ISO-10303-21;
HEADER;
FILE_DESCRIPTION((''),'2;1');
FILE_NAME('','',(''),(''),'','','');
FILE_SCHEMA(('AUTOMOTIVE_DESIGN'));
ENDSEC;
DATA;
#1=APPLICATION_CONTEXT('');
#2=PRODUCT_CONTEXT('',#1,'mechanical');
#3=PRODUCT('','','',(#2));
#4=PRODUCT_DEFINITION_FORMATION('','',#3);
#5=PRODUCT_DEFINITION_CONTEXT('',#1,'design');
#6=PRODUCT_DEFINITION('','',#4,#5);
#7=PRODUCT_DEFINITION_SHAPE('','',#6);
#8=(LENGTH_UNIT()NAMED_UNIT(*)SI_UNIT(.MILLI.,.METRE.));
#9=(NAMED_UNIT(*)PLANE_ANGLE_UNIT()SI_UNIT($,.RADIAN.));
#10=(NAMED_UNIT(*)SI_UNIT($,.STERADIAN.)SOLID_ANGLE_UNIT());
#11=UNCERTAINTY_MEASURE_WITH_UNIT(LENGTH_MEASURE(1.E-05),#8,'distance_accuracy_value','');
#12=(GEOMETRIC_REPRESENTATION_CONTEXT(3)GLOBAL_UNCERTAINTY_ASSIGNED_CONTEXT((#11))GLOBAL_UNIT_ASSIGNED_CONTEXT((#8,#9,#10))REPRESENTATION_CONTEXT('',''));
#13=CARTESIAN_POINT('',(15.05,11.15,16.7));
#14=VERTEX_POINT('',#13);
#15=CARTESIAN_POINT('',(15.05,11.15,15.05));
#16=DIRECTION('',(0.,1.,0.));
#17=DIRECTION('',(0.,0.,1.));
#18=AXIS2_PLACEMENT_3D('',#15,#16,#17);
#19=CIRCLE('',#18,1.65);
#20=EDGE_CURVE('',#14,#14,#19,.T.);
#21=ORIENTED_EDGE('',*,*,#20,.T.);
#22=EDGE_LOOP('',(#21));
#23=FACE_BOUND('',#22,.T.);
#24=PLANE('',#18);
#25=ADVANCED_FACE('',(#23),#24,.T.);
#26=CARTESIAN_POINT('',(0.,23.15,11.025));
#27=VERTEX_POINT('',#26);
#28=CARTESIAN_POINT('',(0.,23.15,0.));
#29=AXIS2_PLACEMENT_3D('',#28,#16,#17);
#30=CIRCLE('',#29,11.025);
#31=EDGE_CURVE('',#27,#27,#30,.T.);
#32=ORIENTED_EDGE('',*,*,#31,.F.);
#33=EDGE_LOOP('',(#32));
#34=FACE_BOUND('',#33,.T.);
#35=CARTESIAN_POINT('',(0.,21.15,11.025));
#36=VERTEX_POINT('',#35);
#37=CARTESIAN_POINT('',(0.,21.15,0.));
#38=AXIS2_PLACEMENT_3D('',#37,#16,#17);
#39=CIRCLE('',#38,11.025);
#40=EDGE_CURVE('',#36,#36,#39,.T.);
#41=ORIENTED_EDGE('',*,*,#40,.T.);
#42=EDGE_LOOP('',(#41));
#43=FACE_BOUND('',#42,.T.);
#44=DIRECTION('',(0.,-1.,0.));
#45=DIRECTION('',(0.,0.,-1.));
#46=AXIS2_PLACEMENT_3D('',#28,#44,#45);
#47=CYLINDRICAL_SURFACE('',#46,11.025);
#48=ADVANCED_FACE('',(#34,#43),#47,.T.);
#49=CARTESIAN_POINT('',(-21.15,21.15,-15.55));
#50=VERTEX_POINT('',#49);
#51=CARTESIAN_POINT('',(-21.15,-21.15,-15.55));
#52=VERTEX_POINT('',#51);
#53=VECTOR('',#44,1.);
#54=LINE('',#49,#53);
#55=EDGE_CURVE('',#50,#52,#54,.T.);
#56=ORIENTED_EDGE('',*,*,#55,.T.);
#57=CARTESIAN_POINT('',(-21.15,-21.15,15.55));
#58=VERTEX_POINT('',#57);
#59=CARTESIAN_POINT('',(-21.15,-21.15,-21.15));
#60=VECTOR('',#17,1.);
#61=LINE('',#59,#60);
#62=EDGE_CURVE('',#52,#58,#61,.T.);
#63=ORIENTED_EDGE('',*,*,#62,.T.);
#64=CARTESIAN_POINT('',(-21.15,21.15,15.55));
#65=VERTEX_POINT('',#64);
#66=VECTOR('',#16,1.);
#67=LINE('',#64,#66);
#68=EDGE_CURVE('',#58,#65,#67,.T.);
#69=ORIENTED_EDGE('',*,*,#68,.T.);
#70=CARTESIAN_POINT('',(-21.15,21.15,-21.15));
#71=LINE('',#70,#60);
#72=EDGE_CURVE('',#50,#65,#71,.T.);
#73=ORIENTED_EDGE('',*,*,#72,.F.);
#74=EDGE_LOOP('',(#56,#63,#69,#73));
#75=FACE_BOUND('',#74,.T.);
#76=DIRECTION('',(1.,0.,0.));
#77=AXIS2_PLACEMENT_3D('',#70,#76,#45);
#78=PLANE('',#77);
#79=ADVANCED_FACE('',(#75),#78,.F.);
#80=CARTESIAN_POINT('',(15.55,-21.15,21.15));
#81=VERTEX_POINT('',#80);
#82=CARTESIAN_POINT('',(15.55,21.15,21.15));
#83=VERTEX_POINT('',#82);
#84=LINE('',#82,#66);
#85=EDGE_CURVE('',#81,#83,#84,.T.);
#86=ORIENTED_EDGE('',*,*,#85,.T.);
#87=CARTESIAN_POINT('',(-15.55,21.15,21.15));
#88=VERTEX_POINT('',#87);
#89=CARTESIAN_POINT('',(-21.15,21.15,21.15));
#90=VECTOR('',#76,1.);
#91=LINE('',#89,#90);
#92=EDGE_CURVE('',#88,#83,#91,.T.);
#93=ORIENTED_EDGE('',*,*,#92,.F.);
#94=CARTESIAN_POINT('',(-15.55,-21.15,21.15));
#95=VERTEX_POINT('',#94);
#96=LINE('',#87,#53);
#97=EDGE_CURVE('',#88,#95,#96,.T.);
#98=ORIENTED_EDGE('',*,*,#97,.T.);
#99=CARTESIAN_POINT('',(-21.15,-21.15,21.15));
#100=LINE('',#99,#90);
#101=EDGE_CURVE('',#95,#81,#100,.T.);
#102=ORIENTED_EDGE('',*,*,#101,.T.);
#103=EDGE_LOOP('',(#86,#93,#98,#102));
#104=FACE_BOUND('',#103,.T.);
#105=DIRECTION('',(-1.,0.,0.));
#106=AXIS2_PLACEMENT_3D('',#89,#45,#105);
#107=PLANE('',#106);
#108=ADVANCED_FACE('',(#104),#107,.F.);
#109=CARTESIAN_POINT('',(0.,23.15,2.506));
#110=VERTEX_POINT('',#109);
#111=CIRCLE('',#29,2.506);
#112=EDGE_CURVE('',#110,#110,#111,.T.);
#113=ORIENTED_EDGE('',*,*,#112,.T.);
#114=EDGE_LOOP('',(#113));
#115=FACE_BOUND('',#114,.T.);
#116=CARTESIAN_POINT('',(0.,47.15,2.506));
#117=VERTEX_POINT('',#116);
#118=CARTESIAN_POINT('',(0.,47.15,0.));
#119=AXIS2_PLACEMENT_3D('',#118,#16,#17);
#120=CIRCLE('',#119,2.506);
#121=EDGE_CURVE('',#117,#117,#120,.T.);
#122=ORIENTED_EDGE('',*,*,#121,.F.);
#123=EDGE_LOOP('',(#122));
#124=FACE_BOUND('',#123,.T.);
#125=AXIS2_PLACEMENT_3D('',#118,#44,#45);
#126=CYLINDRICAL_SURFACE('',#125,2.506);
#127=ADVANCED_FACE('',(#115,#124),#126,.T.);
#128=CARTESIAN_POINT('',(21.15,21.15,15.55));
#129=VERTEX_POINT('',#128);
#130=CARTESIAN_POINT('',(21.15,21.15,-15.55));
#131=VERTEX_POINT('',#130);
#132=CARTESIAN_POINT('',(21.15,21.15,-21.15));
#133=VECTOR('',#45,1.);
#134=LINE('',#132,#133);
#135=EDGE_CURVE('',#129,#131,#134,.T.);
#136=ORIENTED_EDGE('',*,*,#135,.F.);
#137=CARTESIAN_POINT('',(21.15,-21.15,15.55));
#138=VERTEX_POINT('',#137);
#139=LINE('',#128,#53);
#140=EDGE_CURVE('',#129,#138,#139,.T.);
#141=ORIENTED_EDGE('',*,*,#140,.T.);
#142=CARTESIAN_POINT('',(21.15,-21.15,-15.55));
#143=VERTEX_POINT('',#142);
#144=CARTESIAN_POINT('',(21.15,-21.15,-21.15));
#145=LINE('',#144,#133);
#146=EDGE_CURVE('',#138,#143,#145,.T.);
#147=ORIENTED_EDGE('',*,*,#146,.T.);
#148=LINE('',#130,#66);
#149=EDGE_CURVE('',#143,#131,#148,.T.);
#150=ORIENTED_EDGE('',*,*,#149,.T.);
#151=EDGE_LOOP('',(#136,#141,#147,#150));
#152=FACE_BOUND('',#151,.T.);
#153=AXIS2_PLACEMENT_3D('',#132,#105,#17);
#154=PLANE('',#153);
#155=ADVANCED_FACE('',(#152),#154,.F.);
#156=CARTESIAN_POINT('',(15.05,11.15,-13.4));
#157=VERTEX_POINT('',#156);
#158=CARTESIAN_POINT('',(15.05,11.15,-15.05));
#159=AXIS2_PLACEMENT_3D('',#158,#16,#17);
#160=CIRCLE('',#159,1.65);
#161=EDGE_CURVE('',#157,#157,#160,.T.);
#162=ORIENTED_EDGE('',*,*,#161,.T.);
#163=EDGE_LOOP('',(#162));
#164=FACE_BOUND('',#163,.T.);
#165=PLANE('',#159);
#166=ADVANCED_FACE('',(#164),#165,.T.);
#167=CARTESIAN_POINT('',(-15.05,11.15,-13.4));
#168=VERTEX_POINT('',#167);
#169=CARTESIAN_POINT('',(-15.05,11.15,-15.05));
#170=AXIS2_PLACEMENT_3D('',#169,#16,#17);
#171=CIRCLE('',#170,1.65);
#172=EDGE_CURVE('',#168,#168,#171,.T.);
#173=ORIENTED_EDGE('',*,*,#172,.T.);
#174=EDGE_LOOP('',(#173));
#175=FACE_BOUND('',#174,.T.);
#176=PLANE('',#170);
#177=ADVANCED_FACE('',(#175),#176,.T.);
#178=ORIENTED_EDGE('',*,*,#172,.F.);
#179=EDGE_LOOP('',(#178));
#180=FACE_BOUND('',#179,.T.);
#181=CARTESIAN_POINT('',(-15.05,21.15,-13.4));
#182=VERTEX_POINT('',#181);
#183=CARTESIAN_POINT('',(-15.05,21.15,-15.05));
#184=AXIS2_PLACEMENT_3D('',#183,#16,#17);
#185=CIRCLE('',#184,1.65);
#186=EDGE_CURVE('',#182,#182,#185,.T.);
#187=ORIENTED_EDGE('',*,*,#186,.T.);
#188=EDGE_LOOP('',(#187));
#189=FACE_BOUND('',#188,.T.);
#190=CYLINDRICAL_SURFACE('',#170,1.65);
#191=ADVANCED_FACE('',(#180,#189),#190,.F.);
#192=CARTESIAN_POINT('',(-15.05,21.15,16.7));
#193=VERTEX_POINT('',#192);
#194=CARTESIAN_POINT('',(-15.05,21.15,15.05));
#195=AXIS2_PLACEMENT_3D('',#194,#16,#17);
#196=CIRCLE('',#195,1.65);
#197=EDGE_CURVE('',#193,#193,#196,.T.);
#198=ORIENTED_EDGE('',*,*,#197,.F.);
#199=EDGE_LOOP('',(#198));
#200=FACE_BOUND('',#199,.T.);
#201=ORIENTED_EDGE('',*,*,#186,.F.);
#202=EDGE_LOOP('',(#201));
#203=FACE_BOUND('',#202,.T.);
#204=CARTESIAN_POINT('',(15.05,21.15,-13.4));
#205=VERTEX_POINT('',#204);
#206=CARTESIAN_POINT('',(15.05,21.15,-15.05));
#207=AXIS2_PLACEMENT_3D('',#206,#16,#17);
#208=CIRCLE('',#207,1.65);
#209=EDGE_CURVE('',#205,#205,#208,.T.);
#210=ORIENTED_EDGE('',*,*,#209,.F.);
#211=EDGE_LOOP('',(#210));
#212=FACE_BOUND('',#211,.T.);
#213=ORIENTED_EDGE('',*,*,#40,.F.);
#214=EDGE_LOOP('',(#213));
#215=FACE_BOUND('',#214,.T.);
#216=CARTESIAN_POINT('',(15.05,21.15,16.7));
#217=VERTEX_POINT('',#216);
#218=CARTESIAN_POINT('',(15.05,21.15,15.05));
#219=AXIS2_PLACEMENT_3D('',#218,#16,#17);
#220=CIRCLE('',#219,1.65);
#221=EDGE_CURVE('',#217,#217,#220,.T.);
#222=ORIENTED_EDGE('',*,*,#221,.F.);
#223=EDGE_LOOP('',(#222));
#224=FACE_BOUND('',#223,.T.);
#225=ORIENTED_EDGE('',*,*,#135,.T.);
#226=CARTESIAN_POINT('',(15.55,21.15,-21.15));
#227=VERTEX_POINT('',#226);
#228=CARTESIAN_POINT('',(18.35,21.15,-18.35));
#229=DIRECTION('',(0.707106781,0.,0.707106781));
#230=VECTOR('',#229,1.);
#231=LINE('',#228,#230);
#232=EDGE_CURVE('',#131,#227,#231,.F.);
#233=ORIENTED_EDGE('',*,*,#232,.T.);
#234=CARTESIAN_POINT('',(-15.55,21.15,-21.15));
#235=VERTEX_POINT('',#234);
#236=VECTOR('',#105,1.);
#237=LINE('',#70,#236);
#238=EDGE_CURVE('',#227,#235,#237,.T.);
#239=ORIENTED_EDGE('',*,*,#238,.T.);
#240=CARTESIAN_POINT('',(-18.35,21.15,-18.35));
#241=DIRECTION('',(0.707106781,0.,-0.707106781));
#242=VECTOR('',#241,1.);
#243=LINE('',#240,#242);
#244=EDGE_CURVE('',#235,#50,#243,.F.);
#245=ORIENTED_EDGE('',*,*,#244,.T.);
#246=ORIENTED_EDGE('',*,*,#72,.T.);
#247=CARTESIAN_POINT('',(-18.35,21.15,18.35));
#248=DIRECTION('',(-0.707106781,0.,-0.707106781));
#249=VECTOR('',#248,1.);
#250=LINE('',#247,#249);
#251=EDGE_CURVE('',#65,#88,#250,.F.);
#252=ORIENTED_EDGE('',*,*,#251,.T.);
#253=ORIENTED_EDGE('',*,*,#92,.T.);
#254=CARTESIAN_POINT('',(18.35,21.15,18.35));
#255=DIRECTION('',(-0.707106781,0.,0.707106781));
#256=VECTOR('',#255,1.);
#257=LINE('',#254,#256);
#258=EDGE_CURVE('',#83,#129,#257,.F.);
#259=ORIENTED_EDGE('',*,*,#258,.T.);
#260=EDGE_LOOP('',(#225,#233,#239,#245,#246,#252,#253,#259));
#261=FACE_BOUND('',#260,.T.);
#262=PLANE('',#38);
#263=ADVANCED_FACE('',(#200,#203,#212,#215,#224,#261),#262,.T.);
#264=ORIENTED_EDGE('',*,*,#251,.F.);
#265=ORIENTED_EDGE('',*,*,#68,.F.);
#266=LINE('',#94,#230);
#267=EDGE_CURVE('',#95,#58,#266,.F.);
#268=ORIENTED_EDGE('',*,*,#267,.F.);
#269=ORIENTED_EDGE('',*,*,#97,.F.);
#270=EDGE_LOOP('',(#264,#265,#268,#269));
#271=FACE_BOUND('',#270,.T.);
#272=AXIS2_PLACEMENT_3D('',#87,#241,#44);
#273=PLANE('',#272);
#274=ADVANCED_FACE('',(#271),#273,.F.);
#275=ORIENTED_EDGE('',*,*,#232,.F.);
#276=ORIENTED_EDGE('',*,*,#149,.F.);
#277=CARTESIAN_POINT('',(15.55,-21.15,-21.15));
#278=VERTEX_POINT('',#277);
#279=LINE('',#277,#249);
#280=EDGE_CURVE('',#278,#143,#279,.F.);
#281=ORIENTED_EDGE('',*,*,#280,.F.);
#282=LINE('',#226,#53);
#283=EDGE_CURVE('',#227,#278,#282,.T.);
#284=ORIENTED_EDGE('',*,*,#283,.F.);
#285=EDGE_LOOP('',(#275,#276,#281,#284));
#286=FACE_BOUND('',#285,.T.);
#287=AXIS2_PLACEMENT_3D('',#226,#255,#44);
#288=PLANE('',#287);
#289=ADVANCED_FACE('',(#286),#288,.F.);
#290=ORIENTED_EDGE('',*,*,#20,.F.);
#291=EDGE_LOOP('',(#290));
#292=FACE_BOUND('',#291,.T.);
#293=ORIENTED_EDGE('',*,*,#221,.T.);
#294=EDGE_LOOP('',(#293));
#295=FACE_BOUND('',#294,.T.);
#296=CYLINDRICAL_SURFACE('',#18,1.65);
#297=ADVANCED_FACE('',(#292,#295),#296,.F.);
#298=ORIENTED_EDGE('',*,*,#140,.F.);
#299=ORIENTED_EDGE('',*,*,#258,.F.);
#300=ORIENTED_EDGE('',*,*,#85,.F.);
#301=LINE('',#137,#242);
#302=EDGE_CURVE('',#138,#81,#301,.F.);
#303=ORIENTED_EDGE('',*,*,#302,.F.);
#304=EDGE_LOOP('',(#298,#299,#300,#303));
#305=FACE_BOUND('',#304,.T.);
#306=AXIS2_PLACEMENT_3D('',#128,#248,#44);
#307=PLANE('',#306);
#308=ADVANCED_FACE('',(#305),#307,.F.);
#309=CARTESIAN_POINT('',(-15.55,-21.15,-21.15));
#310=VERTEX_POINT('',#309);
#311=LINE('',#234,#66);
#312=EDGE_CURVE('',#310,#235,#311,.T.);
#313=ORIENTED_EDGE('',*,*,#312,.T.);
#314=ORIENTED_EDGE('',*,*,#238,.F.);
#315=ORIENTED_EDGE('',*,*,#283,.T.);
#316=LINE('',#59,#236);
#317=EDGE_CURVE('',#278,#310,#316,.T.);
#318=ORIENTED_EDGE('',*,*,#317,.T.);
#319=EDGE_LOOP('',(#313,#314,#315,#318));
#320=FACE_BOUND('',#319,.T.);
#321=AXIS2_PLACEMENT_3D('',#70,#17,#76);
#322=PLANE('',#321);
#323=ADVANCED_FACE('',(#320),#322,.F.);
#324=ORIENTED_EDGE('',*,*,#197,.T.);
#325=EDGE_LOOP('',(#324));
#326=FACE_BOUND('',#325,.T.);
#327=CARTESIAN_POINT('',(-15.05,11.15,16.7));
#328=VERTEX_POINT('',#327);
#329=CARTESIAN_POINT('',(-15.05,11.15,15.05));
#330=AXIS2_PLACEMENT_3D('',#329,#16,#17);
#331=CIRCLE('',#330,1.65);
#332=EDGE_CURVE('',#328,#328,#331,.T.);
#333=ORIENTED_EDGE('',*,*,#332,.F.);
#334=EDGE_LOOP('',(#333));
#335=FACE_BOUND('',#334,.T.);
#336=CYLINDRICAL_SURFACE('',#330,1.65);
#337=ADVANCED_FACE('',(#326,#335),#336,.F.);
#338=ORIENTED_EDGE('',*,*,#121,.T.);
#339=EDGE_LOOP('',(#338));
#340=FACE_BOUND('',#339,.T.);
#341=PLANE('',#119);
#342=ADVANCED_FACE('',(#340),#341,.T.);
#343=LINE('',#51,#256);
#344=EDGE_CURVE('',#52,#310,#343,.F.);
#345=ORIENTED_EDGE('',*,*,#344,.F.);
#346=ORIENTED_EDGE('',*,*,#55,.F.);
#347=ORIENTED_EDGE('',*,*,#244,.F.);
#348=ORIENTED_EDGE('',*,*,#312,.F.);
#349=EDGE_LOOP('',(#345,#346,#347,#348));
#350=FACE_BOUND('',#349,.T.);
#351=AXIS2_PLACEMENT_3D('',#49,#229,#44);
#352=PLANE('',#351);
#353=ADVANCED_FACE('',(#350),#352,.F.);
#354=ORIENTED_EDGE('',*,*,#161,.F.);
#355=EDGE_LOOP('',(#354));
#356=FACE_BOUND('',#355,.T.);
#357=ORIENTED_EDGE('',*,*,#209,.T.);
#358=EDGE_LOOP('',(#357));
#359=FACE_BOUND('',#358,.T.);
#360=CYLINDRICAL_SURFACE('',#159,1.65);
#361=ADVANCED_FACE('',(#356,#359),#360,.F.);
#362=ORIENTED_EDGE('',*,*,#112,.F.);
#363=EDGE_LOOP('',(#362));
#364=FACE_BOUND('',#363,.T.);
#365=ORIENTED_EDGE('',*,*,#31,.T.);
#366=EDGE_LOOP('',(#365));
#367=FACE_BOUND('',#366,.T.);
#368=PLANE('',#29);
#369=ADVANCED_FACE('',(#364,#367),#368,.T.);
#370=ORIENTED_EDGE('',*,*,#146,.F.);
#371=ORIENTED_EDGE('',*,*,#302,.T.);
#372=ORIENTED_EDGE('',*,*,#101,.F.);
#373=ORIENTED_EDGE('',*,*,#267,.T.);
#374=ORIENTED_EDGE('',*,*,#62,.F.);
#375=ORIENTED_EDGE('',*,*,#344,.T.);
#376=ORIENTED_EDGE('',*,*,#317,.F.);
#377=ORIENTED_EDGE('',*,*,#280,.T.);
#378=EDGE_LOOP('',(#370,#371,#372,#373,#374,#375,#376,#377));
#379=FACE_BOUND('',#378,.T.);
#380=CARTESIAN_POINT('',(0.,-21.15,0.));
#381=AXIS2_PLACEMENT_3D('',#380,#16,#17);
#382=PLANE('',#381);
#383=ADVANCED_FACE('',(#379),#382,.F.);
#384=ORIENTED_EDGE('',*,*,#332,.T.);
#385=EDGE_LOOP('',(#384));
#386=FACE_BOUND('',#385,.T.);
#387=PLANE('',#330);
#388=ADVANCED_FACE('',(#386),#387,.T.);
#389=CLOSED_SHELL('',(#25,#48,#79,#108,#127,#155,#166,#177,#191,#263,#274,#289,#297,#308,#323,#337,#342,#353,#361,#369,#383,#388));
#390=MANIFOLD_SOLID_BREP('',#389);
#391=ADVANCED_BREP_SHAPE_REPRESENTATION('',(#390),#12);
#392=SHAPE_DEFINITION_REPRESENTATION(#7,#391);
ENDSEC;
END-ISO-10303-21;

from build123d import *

# Parameters (mm, degrees)
ESBO_O1_W                = 42.3
ESBO_O1_H                = 42.3
RESSALTO_EXTRUS_O1_DEPTH = 21.15
ESBO_O2_R                = 11.025
RESSALTO_EXTRUS_O2_DEPTH = 2
ESBO_O3_R                = 2.506
RESSALTO_EXTRUS_O3_DEPTH = 24
CHANFRO1_SIZE            = 5.6
ESBO_O4_R                = 1.65
CORTE_EXTRUS_O1_DEPTH    = 10


with BuildPart() as part:
    # Esboço1 → Ressalto-extrusão1 (new body, symmetric)
    with BuildSketch(Plane(origin=(0, 0, 0), x_dir=(1, 0, 0), z_dir=(0, 1, 0))):
        Rectangle(ESBO_O1_W, ESBO_O1_H)
    extrude(amount=RESSALTO_EXTRUS_O1_DEPTH, both=True)

    # Esboço2 → Ressalto-extrusão2 (add)
    with BuildSketch(Plane(origin=(0, 21.15, 0), x_dir=(1, 0, 0), z_dir=(0, 1, 0))):
        Circle(ESBO_O2_R)
    extrude(amount=RESSALTO_EXTRUS_O2_DEPTH)

    # Esboço3 → Ressalto-extrusão3 (add)
    with BuildSketch(Plane(origin=(0, 23.15, 0), x_dir=(1, 0, 0), z_dir=(0, 1, 0))):
        Circle(ESBO_O3_R)
    extrude(amount=RESSALTO_EXTRUS_O3_DEPTH)

    # Chanfro1
    chanfro1_edges = [part.edges().sort_by_distance(p)[0] for p in [
        (21.15, 0, 21.15),
        (-21.15, 0, 21.15),
        (-21.15, 0, -21.15),
        (21.15, 0, -21.15),
    ]]
    chamfer(chanfro1_edges, length=CHANFRO1_SIZE)

    # Esboço4 → Corte-extrusão1 (cut)
    with BuildSketch(Plane(origin=(0, 21.15, 0), x_dir=(1, 0, 0), z_dir=(0, 1, 0))):
        with Locations((-15.05, 15.05)):
            Circle(ESBO_O4_R)
        with Locations((15.05, 15.05)):
            Circle(ESBO_O4_R)
        with Locations((15.05, -15.05)):
            Circle(ESBO_O4_R)
        with Locations((-15.05, -15.05)):
            Circle(ESBO_O4_R)
    extrude(amount=-CORTE_EXTRUS_O1_DEPTH, mode=Mode.SUBTRACT)


solid = part.part
